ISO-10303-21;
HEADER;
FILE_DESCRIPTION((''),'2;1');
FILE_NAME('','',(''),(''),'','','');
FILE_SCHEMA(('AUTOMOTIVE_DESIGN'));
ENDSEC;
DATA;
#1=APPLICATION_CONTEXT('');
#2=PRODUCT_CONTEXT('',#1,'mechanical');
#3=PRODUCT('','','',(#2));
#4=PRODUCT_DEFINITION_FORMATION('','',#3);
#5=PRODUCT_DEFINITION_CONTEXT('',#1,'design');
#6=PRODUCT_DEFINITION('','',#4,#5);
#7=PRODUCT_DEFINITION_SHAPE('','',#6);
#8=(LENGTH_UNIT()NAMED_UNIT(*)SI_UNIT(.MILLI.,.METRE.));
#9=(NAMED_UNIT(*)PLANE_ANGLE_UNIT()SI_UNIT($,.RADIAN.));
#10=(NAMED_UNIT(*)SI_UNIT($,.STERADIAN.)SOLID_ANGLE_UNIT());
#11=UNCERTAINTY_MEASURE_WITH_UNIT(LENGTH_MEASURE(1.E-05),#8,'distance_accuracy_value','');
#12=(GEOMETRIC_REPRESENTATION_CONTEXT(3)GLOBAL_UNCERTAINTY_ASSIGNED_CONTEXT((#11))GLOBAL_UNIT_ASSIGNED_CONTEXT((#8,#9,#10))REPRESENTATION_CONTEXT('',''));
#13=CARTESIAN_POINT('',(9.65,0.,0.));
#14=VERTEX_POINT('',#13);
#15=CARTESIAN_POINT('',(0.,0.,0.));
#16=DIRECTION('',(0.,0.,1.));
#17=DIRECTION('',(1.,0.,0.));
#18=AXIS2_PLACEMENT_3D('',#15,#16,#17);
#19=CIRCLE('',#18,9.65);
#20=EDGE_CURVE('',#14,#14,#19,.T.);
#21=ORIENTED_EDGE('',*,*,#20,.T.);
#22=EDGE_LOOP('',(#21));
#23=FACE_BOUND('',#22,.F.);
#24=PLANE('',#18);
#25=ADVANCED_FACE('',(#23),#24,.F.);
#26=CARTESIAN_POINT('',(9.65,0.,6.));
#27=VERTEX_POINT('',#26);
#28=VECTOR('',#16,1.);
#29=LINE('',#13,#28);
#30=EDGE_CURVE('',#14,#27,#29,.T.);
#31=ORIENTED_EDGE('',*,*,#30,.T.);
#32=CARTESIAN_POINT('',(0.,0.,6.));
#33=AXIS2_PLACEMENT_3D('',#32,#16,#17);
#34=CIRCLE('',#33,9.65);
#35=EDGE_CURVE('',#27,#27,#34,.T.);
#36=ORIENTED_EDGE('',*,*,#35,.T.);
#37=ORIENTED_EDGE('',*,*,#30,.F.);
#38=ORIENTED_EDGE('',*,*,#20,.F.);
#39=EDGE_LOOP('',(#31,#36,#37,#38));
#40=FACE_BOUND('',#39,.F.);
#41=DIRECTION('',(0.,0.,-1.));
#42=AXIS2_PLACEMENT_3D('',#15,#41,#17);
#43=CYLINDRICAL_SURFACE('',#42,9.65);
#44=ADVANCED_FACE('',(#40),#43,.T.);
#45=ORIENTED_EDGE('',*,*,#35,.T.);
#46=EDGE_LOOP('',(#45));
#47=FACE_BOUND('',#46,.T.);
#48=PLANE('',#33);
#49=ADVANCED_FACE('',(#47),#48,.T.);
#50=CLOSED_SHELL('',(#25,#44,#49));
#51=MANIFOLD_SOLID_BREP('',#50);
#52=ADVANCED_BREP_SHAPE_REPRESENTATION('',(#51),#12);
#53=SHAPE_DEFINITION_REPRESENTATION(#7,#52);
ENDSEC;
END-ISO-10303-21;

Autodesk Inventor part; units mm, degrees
ref_plane "YZ Plane" through (0, 0, 0) normal (1, 0, 0) x (0, 1, 0)
ref_plane "XZ Plane" through (0, 0, 0) normal (0, 1, 0) x (-1, 0, 0)
ref_plane "XY Plane" through (0, 0, 0) normal (0, 0, 1) x (1, 0, 0)
sketch "Sketch1" plane through (0, 0, 0) normal (0, 0, 1) x (1, 0, 0)
  circle A0 centre (0, 0) radius 9.65
  dimension "d0" = 19.3
extrude "Extrusion1" add sketch "Sketch1" along normal blind 6
properties part number "CoverPart2"
